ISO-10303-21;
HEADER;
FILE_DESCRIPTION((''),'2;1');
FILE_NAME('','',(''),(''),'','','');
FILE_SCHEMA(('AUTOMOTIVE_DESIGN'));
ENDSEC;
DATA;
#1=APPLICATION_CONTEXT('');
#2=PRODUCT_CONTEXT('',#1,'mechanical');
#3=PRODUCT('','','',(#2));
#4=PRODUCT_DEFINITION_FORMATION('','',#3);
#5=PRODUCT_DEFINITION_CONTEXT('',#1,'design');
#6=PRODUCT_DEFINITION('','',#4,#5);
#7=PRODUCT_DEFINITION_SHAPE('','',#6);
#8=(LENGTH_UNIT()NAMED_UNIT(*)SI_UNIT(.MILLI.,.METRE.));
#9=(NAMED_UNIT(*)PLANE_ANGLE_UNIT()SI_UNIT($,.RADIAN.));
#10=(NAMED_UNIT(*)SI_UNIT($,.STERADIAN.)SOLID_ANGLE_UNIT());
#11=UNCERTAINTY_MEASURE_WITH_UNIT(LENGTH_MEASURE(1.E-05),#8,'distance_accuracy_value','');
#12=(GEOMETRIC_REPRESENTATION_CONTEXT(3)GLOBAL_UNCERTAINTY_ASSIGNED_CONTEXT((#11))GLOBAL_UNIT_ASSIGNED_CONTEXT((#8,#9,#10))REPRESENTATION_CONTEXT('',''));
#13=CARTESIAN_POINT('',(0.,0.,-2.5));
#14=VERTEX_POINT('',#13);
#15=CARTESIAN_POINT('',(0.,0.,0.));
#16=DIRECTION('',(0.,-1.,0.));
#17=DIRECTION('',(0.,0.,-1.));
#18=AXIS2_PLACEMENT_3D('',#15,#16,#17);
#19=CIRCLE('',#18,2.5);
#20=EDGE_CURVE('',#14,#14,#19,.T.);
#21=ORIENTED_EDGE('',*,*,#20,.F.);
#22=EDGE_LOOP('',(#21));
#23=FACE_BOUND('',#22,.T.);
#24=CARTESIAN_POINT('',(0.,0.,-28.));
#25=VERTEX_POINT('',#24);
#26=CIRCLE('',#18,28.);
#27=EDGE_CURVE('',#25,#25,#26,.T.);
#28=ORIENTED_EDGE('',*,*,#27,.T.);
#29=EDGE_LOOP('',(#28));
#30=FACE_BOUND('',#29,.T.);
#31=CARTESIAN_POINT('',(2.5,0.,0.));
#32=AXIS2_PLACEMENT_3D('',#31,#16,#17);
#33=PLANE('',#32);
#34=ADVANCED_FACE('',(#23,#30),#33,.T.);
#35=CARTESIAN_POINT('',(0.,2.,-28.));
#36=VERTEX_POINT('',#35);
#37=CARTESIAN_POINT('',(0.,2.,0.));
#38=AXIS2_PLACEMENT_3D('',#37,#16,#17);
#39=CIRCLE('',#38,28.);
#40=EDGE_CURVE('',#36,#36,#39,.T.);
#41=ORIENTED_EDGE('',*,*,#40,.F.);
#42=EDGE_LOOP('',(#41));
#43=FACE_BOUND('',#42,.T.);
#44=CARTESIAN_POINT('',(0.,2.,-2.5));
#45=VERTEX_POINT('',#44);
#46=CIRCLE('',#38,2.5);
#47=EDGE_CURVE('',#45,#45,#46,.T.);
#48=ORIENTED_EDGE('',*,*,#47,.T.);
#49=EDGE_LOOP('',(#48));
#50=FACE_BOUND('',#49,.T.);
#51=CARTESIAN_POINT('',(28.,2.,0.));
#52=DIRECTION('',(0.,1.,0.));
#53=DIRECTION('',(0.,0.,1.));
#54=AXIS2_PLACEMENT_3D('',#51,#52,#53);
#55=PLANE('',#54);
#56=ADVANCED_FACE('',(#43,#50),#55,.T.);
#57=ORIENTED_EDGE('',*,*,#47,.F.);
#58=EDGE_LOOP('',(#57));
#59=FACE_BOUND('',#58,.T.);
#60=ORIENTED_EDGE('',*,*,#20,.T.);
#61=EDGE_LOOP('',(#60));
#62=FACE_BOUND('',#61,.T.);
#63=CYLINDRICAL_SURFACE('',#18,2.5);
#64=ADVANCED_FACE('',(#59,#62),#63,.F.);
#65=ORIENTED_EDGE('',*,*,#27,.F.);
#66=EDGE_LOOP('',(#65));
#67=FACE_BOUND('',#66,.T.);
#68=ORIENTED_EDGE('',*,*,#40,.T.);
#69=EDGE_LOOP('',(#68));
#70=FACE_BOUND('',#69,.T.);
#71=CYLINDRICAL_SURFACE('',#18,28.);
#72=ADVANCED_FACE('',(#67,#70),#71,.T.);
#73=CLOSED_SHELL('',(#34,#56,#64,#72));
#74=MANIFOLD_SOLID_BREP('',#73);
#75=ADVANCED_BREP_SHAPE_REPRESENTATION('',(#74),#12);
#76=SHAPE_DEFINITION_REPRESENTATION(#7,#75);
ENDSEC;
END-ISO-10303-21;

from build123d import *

# Parameters (mm, degrees)
SKETCH1_W = 25.5
SKETCH1_H = 2


with BuildPart() as part:
    # Sketch1 → Revolve1 (revolve)
    with BuildSketch(Plane.XY):
        with Locations((15.25, 1)):
            Rectangle(SKETCH1_W, SKETCH1_H)
    revolve(axis=Axis((0, 0, 0), (0, 1, 0)))


solid = part.part
